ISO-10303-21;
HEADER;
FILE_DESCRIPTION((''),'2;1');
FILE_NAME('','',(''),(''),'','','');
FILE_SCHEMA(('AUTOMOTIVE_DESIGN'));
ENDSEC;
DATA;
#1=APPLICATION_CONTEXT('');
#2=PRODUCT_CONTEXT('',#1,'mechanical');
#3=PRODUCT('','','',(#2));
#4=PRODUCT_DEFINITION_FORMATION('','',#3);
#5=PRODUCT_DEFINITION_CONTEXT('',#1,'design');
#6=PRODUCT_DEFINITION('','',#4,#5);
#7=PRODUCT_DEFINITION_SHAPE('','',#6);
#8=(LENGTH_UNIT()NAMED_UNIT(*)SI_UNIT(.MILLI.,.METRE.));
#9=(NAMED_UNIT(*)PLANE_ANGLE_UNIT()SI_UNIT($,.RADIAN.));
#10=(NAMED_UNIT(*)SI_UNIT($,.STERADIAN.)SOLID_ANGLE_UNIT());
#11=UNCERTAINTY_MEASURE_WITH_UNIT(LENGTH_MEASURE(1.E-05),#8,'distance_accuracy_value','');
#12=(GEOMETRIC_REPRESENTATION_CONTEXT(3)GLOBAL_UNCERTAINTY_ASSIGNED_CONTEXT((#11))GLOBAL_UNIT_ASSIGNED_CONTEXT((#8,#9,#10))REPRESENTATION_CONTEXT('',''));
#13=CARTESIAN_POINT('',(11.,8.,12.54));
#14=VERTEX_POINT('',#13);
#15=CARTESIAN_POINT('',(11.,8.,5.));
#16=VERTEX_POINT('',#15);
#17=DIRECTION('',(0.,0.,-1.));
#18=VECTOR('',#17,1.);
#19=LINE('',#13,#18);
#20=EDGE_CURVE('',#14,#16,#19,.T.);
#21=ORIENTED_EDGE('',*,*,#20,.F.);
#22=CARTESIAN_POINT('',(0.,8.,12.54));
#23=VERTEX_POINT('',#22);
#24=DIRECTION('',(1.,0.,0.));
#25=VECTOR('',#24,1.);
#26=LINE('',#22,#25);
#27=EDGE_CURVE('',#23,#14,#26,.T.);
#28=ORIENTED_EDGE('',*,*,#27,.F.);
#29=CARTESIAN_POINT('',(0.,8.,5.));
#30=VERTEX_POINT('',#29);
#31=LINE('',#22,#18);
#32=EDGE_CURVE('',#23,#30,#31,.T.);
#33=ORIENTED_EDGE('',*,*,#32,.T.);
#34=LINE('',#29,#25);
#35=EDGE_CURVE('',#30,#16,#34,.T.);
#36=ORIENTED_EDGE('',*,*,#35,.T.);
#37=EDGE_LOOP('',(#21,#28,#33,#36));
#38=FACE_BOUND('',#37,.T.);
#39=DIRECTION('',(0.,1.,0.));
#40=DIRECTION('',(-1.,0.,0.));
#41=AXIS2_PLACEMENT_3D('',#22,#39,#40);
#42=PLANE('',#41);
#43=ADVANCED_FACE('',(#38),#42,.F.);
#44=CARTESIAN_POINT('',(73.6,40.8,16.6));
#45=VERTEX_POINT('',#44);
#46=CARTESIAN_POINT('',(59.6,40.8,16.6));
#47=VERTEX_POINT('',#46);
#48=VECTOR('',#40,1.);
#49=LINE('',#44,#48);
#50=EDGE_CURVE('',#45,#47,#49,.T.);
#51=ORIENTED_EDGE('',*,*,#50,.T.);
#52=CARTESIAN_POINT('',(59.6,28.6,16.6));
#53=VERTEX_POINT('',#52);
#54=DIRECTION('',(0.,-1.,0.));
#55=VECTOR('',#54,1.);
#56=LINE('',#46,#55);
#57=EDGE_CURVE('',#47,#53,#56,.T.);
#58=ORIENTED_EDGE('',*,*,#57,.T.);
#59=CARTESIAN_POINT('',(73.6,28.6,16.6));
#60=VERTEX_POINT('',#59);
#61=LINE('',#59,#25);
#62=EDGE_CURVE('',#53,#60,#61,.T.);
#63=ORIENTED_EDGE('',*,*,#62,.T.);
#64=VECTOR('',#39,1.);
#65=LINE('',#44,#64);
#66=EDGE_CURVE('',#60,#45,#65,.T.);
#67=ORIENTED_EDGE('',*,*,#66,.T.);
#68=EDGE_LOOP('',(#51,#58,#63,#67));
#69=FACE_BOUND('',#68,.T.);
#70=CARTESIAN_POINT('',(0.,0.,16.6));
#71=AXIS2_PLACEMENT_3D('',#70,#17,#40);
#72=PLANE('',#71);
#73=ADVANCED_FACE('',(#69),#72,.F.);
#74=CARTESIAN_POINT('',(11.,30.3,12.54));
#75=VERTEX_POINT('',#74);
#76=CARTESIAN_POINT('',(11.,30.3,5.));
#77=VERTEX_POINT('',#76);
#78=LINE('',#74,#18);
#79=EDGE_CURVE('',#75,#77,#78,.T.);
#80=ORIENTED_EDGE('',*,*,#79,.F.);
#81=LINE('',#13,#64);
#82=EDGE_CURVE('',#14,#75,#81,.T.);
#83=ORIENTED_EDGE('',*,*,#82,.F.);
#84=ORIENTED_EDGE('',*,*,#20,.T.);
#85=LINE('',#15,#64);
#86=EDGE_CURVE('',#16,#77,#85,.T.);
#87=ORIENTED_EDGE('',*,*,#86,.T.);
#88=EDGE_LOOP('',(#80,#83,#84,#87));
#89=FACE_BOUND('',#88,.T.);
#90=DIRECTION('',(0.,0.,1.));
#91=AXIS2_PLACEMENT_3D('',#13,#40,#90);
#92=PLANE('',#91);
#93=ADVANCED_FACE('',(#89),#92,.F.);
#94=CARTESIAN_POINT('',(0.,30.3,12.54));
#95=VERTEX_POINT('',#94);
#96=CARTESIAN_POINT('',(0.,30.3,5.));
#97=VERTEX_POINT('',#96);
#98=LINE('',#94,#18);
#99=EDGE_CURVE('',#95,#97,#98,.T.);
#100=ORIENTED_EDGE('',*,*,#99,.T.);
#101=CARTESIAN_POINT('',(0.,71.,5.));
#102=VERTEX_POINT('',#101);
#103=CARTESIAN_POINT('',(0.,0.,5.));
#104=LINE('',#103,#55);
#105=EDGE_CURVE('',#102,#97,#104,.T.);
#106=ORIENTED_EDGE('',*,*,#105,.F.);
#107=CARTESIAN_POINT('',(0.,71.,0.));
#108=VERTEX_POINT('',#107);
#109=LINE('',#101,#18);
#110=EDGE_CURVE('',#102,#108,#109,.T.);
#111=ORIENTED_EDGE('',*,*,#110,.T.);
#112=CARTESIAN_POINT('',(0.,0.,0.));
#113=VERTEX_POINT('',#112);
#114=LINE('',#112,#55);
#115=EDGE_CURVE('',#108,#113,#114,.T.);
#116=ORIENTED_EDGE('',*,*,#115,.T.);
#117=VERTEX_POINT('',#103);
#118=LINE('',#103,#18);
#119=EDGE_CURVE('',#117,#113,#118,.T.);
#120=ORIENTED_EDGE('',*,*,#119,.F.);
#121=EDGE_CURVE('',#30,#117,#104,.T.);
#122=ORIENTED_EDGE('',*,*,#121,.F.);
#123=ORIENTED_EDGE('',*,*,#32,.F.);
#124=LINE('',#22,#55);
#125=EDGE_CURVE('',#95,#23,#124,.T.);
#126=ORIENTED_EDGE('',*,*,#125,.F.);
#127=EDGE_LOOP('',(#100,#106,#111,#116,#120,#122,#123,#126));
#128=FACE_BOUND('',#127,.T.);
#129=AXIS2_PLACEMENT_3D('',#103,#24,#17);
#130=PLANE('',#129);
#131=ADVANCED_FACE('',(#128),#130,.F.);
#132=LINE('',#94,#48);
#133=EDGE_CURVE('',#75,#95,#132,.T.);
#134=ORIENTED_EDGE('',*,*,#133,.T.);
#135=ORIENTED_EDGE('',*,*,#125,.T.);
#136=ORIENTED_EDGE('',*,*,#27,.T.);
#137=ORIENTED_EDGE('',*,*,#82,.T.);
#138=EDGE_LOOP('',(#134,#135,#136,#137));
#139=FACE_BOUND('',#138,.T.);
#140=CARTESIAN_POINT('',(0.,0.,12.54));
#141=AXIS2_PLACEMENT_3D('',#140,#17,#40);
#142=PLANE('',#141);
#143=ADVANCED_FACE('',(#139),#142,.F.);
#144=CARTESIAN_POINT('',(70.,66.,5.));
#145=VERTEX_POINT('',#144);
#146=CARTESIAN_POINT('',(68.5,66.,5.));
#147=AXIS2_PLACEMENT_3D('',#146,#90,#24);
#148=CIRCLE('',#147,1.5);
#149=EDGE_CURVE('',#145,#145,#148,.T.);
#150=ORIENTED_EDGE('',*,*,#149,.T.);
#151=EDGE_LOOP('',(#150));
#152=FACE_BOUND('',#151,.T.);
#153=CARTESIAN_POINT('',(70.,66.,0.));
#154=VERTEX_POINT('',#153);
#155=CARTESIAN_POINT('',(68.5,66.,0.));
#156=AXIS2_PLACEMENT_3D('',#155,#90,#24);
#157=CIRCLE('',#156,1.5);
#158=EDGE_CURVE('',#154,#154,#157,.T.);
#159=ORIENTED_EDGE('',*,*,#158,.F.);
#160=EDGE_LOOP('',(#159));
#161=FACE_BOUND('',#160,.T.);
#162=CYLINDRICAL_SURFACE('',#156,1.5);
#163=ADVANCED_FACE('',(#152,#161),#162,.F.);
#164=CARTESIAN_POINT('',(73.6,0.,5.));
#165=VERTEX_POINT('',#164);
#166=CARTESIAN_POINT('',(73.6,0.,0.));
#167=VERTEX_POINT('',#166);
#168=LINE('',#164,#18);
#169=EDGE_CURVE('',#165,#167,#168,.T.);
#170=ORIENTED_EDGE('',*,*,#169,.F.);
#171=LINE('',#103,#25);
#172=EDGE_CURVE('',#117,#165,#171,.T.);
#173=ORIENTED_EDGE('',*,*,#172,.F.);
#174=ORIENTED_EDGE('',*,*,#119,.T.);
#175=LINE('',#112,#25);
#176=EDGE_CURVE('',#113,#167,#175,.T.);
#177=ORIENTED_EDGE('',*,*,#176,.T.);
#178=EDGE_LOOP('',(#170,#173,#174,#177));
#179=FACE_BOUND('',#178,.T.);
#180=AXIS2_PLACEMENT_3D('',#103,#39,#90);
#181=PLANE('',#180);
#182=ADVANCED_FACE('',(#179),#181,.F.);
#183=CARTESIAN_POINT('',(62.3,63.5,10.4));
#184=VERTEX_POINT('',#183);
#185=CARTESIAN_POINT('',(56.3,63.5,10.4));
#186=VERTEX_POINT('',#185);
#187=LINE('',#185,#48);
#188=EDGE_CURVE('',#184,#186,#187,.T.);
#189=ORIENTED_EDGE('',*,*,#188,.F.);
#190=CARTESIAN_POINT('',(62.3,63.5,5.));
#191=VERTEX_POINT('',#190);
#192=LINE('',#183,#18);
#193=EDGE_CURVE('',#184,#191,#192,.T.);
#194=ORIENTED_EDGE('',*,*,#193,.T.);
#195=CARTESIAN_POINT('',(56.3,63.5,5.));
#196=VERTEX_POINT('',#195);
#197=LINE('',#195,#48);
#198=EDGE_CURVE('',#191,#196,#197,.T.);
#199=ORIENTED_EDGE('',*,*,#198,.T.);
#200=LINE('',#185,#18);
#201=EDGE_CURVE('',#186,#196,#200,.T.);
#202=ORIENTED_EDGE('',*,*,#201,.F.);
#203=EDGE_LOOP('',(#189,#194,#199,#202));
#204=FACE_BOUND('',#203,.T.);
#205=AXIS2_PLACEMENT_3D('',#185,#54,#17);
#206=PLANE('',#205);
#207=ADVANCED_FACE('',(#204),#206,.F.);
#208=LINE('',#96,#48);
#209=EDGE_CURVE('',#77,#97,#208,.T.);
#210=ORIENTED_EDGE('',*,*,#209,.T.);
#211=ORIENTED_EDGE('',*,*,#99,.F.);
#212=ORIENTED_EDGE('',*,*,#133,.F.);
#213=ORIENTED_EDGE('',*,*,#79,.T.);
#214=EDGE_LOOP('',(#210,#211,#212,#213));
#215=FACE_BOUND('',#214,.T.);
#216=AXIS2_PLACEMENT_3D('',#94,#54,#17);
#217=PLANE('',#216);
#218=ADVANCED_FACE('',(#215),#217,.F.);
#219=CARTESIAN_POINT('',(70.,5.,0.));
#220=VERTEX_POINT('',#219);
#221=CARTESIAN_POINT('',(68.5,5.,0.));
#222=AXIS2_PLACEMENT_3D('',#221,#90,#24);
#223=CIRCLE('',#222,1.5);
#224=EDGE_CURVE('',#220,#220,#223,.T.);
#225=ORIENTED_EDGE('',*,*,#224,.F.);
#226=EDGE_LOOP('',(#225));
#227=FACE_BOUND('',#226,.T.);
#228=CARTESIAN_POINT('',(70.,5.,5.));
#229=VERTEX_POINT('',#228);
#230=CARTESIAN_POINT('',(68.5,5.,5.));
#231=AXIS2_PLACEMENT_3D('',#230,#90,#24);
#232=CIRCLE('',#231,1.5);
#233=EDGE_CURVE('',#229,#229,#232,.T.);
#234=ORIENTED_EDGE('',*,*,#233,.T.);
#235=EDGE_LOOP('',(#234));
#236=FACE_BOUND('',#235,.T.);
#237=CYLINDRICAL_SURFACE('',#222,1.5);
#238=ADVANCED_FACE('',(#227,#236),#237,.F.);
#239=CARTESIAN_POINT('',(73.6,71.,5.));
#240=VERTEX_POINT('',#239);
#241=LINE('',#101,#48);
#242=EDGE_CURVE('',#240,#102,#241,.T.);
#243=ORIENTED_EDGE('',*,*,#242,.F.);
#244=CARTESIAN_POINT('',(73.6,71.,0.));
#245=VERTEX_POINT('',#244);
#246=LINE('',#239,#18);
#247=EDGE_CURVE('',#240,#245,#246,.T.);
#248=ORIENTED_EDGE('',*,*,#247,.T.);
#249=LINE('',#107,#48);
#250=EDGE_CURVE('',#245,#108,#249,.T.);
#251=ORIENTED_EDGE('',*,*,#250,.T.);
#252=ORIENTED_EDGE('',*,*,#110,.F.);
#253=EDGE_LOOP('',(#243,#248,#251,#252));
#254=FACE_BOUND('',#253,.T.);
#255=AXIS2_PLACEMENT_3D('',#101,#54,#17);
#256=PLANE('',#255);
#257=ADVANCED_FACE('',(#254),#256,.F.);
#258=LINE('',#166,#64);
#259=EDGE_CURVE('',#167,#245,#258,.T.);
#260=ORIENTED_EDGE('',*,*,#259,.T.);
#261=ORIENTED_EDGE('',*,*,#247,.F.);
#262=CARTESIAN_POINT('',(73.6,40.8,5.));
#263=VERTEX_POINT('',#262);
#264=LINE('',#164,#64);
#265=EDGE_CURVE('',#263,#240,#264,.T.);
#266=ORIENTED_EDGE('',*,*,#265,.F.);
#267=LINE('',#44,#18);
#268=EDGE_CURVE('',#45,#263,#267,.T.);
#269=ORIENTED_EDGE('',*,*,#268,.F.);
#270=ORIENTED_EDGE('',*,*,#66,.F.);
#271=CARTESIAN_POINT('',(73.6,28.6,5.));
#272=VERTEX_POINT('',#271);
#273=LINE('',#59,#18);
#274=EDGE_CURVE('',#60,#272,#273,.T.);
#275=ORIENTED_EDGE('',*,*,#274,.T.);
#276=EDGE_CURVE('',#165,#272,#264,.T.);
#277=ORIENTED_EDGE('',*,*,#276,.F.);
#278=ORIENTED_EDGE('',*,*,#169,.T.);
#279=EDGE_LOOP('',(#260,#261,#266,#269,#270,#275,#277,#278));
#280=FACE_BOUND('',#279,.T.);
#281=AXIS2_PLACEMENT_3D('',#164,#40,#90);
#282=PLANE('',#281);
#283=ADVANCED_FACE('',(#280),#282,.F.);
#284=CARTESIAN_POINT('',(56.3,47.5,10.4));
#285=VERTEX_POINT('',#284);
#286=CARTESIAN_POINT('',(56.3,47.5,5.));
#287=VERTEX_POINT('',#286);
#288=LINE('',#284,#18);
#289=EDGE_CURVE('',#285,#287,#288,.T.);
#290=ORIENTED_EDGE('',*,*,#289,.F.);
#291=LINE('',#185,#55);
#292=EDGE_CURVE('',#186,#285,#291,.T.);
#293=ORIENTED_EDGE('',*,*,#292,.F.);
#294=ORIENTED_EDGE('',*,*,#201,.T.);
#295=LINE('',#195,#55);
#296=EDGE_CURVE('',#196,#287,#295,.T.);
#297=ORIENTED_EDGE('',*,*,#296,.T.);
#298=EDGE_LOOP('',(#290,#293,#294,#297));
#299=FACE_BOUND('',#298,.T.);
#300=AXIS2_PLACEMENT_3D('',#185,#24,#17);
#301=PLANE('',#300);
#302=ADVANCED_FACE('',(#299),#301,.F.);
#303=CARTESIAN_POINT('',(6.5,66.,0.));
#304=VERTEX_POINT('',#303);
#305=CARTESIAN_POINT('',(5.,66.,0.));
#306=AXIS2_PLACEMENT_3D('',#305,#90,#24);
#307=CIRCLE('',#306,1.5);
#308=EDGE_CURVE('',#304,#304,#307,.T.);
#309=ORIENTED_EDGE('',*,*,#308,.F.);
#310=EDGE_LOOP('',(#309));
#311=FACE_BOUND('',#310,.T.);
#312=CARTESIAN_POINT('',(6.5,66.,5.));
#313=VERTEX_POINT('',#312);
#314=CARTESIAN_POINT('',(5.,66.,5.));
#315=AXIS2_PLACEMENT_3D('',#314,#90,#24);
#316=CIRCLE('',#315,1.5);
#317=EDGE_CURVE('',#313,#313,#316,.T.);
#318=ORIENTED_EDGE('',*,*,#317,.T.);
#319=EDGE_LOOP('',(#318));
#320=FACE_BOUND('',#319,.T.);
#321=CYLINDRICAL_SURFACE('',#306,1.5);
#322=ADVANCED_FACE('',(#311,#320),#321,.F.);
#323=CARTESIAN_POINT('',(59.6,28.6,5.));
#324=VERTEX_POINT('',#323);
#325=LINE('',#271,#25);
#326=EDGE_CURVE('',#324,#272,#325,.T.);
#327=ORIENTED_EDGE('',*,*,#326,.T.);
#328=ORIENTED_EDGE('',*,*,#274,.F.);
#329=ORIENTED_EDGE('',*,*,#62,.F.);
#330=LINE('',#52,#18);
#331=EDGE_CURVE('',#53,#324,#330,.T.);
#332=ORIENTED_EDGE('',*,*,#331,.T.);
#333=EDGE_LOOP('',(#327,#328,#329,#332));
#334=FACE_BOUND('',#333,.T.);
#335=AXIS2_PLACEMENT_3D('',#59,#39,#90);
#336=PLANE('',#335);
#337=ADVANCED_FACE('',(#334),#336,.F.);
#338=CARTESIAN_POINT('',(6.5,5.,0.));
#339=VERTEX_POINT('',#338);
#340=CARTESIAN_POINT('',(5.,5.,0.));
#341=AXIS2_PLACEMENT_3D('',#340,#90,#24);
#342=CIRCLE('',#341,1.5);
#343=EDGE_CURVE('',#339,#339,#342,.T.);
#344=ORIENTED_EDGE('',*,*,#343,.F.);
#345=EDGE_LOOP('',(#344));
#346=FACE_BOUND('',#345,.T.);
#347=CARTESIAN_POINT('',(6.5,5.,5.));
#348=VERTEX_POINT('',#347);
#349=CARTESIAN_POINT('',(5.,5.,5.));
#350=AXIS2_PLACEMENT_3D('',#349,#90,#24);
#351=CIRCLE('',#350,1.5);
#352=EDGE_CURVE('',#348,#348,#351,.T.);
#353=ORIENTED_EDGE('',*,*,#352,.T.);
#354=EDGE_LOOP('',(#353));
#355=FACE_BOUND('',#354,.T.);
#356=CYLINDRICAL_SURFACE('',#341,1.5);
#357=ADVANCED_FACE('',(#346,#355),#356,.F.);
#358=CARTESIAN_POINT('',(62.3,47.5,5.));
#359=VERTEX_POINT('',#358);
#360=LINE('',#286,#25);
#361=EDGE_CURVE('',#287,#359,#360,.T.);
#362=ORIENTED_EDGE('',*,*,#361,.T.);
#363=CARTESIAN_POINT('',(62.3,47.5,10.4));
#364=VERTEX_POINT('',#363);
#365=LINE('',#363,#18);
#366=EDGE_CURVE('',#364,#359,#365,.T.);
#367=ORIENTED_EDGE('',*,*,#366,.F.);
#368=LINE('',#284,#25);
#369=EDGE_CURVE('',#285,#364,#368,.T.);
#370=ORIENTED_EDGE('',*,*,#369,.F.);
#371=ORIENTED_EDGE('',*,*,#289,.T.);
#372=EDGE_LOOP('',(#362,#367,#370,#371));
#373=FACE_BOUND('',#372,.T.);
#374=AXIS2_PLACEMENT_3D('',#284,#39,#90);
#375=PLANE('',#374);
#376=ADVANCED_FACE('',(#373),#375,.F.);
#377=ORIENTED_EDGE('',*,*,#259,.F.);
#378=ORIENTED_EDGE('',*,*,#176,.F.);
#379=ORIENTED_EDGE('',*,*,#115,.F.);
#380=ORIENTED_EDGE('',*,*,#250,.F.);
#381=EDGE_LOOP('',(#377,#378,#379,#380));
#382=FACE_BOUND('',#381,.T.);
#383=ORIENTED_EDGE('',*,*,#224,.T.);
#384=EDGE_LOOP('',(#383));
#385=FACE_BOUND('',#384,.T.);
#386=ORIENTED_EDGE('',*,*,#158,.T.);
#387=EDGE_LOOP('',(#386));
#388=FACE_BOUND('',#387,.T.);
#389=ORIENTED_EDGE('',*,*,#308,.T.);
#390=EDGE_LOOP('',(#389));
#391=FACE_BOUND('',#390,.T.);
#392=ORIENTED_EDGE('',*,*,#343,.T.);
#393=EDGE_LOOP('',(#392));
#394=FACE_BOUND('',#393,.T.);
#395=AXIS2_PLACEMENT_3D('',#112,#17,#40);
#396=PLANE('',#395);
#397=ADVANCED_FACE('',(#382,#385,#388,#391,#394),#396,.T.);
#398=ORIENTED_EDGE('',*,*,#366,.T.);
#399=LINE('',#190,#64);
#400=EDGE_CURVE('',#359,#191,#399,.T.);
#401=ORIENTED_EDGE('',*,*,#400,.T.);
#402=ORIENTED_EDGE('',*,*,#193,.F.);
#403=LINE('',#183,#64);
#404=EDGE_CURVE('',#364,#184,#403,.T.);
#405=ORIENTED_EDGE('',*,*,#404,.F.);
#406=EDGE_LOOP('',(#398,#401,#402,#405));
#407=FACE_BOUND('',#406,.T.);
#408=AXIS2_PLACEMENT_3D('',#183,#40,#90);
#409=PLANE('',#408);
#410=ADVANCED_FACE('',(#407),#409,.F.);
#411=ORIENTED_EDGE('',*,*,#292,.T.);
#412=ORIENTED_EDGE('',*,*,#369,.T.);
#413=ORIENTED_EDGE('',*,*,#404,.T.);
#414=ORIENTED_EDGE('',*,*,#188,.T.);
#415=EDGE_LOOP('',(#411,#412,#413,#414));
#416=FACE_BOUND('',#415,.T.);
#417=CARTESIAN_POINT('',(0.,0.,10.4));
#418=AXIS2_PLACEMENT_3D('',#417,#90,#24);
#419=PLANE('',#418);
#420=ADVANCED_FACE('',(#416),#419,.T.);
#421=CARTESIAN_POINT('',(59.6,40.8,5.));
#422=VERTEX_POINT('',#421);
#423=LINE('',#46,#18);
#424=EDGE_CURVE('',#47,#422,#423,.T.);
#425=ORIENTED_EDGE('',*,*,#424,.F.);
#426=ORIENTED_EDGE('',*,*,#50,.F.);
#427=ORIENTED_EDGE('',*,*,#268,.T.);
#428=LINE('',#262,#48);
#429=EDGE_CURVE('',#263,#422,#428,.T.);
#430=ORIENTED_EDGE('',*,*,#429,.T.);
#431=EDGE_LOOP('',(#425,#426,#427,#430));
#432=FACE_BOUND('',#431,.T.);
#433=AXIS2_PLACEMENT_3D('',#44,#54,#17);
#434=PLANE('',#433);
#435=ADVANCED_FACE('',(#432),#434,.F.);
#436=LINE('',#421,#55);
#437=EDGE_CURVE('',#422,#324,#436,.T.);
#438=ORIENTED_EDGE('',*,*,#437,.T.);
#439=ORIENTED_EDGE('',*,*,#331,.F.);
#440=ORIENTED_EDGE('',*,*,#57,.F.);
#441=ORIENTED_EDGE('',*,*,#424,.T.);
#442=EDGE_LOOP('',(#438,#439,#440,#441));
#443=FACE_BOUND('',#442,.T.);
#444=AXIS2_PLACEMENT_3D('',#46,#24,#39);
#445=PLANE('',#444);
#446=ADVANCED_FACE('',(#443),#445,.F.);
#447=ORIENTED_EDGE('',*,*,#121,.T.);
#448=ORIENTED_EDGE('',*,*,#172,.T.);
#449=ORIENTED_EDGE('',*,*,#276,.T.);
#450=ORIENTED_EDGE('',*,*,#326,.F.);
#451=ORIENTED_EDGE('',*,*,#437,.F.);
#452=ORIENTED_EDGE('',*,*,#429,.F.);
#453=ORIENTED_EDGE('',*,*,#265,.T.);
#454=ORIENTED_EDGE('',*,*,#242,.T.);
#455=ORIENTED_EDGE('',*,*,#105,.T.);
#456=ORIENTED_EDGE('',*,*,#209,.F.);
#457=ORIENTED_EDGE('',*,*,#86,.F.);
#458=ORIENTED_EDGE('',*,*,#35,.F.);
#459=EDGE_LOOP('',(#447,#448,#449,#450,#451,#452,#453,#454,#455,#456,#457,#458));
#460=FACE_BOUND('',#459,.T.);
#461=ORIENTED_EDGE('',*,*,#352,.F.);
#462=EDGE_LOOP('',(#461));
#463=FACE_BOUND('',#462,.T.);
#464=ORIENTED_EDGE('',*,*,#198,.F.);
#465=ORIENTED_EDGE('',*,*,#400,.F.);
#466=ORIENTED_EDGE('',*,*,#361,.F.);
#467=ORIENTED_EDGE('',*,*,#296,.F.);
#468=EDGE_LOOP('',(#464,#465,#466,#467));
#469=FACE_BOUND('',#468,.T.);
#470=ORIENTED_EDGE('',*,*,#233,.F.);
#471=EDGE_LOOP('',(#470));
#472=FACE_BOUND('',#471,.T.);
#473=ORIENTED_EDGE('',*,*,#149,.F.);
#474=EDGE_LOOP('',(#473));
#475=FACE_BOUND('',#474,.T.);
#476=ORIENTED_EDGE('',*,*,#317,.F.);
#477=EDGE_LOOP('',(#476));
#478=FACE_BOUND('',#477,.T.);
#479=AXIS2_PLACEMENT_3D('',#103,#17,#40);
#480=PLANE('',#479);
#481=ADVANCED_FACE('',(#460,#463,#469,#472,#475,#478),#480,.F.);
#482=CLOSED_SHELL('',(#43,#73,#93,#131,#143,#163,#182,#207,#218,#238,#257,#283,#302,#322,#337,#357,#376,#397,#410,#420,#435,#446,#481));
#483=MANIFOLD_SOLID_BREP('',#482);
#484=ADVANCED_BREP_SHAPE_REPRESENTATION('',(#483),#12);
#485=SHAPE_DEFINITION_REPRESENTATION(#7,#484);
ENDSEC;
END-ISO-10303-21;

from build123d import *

# Parameters (mm, degrees)
SKETCH1_W           = 73.6
SKETCH1_H           = 71
BOSS_EXTRUDE1_DEPTH = 5
SKETCH2_R           = 1.5
CUT_EXTRUDE1_DEPTH  = 6
SKETCH3_W           = 11
SKETCH3_H           = 22.3
BOSS_EXTRUDE2_DEPTH = 7.54
SKETCH4_W           = 14
SKETCH4_H           = 12.2
BOSS_EXTRUDE3_DEPTH = 11.6
SKETCH5_W           = 6
SKETCH5_H           = 16
BOSS_EXTRUDE4_DEPTH = 5.4


with BuildPart() as part:
    # Sketch1 → Boss-Extrude1 (new body)
    with BuildSketch(Plane.XY):
        with Locations((36.8, 35.5)):
            Rectangle(SKETCH1_W, SKETCH1_H)
    extrude(amount=BOSS_EXTRUDE1_DEPTH)

    # Sketch2 → Cut-Extrude1 (cut, through all)
    with BuildSketch(Plane.XY.offset(5)):
        with Locations((5, 5)):
            Circle(SKETCH2_R)
        with Locations((68.5, 5)):
            Circle(SKETCH2_R)
        with Locations((68.5, 66)):
            Circle(SKETCH2_R)
        with Locations((5, 66)):
            Circle(SKETCH2_R)
    extrude(amount=-CUT_EXTRUDE1_DEPTH, mode=Mode.SUBTRACT)

    # Sketch3 → Boss-Extrude2 (add)
    with BuildSketch(Plane.XY.offset(5)):
        with Locations((5.5, 19.15)):
            Rectangle(SKETCH3_W, SKETCH3_H)
    extrude(amount=BOSS_EXTRUDE2_DEPTH)

    # Sketch4 → Boss-Extrude3 (add)
    with BuildSketch(Plane.XY.offset(5)):
        with Locations((66.6, 34.7)):
            Rectangle(SKETCH4_W, SKETCH4_H)
    extrude(amount=BOSS_EXTRUDE3_DEPTH)

    # Sketch5 → Boss-Extrude4 (add)
    with BuildSketch(Plane.XY.offset(5)):
        with Locations((59.3, 55.5)):
            Rectangle(SKETCH5_W, SKETCH5_H)
    extrude(amount=BOSS_EXTRUDE4_DEPTH)


solid = part.part
